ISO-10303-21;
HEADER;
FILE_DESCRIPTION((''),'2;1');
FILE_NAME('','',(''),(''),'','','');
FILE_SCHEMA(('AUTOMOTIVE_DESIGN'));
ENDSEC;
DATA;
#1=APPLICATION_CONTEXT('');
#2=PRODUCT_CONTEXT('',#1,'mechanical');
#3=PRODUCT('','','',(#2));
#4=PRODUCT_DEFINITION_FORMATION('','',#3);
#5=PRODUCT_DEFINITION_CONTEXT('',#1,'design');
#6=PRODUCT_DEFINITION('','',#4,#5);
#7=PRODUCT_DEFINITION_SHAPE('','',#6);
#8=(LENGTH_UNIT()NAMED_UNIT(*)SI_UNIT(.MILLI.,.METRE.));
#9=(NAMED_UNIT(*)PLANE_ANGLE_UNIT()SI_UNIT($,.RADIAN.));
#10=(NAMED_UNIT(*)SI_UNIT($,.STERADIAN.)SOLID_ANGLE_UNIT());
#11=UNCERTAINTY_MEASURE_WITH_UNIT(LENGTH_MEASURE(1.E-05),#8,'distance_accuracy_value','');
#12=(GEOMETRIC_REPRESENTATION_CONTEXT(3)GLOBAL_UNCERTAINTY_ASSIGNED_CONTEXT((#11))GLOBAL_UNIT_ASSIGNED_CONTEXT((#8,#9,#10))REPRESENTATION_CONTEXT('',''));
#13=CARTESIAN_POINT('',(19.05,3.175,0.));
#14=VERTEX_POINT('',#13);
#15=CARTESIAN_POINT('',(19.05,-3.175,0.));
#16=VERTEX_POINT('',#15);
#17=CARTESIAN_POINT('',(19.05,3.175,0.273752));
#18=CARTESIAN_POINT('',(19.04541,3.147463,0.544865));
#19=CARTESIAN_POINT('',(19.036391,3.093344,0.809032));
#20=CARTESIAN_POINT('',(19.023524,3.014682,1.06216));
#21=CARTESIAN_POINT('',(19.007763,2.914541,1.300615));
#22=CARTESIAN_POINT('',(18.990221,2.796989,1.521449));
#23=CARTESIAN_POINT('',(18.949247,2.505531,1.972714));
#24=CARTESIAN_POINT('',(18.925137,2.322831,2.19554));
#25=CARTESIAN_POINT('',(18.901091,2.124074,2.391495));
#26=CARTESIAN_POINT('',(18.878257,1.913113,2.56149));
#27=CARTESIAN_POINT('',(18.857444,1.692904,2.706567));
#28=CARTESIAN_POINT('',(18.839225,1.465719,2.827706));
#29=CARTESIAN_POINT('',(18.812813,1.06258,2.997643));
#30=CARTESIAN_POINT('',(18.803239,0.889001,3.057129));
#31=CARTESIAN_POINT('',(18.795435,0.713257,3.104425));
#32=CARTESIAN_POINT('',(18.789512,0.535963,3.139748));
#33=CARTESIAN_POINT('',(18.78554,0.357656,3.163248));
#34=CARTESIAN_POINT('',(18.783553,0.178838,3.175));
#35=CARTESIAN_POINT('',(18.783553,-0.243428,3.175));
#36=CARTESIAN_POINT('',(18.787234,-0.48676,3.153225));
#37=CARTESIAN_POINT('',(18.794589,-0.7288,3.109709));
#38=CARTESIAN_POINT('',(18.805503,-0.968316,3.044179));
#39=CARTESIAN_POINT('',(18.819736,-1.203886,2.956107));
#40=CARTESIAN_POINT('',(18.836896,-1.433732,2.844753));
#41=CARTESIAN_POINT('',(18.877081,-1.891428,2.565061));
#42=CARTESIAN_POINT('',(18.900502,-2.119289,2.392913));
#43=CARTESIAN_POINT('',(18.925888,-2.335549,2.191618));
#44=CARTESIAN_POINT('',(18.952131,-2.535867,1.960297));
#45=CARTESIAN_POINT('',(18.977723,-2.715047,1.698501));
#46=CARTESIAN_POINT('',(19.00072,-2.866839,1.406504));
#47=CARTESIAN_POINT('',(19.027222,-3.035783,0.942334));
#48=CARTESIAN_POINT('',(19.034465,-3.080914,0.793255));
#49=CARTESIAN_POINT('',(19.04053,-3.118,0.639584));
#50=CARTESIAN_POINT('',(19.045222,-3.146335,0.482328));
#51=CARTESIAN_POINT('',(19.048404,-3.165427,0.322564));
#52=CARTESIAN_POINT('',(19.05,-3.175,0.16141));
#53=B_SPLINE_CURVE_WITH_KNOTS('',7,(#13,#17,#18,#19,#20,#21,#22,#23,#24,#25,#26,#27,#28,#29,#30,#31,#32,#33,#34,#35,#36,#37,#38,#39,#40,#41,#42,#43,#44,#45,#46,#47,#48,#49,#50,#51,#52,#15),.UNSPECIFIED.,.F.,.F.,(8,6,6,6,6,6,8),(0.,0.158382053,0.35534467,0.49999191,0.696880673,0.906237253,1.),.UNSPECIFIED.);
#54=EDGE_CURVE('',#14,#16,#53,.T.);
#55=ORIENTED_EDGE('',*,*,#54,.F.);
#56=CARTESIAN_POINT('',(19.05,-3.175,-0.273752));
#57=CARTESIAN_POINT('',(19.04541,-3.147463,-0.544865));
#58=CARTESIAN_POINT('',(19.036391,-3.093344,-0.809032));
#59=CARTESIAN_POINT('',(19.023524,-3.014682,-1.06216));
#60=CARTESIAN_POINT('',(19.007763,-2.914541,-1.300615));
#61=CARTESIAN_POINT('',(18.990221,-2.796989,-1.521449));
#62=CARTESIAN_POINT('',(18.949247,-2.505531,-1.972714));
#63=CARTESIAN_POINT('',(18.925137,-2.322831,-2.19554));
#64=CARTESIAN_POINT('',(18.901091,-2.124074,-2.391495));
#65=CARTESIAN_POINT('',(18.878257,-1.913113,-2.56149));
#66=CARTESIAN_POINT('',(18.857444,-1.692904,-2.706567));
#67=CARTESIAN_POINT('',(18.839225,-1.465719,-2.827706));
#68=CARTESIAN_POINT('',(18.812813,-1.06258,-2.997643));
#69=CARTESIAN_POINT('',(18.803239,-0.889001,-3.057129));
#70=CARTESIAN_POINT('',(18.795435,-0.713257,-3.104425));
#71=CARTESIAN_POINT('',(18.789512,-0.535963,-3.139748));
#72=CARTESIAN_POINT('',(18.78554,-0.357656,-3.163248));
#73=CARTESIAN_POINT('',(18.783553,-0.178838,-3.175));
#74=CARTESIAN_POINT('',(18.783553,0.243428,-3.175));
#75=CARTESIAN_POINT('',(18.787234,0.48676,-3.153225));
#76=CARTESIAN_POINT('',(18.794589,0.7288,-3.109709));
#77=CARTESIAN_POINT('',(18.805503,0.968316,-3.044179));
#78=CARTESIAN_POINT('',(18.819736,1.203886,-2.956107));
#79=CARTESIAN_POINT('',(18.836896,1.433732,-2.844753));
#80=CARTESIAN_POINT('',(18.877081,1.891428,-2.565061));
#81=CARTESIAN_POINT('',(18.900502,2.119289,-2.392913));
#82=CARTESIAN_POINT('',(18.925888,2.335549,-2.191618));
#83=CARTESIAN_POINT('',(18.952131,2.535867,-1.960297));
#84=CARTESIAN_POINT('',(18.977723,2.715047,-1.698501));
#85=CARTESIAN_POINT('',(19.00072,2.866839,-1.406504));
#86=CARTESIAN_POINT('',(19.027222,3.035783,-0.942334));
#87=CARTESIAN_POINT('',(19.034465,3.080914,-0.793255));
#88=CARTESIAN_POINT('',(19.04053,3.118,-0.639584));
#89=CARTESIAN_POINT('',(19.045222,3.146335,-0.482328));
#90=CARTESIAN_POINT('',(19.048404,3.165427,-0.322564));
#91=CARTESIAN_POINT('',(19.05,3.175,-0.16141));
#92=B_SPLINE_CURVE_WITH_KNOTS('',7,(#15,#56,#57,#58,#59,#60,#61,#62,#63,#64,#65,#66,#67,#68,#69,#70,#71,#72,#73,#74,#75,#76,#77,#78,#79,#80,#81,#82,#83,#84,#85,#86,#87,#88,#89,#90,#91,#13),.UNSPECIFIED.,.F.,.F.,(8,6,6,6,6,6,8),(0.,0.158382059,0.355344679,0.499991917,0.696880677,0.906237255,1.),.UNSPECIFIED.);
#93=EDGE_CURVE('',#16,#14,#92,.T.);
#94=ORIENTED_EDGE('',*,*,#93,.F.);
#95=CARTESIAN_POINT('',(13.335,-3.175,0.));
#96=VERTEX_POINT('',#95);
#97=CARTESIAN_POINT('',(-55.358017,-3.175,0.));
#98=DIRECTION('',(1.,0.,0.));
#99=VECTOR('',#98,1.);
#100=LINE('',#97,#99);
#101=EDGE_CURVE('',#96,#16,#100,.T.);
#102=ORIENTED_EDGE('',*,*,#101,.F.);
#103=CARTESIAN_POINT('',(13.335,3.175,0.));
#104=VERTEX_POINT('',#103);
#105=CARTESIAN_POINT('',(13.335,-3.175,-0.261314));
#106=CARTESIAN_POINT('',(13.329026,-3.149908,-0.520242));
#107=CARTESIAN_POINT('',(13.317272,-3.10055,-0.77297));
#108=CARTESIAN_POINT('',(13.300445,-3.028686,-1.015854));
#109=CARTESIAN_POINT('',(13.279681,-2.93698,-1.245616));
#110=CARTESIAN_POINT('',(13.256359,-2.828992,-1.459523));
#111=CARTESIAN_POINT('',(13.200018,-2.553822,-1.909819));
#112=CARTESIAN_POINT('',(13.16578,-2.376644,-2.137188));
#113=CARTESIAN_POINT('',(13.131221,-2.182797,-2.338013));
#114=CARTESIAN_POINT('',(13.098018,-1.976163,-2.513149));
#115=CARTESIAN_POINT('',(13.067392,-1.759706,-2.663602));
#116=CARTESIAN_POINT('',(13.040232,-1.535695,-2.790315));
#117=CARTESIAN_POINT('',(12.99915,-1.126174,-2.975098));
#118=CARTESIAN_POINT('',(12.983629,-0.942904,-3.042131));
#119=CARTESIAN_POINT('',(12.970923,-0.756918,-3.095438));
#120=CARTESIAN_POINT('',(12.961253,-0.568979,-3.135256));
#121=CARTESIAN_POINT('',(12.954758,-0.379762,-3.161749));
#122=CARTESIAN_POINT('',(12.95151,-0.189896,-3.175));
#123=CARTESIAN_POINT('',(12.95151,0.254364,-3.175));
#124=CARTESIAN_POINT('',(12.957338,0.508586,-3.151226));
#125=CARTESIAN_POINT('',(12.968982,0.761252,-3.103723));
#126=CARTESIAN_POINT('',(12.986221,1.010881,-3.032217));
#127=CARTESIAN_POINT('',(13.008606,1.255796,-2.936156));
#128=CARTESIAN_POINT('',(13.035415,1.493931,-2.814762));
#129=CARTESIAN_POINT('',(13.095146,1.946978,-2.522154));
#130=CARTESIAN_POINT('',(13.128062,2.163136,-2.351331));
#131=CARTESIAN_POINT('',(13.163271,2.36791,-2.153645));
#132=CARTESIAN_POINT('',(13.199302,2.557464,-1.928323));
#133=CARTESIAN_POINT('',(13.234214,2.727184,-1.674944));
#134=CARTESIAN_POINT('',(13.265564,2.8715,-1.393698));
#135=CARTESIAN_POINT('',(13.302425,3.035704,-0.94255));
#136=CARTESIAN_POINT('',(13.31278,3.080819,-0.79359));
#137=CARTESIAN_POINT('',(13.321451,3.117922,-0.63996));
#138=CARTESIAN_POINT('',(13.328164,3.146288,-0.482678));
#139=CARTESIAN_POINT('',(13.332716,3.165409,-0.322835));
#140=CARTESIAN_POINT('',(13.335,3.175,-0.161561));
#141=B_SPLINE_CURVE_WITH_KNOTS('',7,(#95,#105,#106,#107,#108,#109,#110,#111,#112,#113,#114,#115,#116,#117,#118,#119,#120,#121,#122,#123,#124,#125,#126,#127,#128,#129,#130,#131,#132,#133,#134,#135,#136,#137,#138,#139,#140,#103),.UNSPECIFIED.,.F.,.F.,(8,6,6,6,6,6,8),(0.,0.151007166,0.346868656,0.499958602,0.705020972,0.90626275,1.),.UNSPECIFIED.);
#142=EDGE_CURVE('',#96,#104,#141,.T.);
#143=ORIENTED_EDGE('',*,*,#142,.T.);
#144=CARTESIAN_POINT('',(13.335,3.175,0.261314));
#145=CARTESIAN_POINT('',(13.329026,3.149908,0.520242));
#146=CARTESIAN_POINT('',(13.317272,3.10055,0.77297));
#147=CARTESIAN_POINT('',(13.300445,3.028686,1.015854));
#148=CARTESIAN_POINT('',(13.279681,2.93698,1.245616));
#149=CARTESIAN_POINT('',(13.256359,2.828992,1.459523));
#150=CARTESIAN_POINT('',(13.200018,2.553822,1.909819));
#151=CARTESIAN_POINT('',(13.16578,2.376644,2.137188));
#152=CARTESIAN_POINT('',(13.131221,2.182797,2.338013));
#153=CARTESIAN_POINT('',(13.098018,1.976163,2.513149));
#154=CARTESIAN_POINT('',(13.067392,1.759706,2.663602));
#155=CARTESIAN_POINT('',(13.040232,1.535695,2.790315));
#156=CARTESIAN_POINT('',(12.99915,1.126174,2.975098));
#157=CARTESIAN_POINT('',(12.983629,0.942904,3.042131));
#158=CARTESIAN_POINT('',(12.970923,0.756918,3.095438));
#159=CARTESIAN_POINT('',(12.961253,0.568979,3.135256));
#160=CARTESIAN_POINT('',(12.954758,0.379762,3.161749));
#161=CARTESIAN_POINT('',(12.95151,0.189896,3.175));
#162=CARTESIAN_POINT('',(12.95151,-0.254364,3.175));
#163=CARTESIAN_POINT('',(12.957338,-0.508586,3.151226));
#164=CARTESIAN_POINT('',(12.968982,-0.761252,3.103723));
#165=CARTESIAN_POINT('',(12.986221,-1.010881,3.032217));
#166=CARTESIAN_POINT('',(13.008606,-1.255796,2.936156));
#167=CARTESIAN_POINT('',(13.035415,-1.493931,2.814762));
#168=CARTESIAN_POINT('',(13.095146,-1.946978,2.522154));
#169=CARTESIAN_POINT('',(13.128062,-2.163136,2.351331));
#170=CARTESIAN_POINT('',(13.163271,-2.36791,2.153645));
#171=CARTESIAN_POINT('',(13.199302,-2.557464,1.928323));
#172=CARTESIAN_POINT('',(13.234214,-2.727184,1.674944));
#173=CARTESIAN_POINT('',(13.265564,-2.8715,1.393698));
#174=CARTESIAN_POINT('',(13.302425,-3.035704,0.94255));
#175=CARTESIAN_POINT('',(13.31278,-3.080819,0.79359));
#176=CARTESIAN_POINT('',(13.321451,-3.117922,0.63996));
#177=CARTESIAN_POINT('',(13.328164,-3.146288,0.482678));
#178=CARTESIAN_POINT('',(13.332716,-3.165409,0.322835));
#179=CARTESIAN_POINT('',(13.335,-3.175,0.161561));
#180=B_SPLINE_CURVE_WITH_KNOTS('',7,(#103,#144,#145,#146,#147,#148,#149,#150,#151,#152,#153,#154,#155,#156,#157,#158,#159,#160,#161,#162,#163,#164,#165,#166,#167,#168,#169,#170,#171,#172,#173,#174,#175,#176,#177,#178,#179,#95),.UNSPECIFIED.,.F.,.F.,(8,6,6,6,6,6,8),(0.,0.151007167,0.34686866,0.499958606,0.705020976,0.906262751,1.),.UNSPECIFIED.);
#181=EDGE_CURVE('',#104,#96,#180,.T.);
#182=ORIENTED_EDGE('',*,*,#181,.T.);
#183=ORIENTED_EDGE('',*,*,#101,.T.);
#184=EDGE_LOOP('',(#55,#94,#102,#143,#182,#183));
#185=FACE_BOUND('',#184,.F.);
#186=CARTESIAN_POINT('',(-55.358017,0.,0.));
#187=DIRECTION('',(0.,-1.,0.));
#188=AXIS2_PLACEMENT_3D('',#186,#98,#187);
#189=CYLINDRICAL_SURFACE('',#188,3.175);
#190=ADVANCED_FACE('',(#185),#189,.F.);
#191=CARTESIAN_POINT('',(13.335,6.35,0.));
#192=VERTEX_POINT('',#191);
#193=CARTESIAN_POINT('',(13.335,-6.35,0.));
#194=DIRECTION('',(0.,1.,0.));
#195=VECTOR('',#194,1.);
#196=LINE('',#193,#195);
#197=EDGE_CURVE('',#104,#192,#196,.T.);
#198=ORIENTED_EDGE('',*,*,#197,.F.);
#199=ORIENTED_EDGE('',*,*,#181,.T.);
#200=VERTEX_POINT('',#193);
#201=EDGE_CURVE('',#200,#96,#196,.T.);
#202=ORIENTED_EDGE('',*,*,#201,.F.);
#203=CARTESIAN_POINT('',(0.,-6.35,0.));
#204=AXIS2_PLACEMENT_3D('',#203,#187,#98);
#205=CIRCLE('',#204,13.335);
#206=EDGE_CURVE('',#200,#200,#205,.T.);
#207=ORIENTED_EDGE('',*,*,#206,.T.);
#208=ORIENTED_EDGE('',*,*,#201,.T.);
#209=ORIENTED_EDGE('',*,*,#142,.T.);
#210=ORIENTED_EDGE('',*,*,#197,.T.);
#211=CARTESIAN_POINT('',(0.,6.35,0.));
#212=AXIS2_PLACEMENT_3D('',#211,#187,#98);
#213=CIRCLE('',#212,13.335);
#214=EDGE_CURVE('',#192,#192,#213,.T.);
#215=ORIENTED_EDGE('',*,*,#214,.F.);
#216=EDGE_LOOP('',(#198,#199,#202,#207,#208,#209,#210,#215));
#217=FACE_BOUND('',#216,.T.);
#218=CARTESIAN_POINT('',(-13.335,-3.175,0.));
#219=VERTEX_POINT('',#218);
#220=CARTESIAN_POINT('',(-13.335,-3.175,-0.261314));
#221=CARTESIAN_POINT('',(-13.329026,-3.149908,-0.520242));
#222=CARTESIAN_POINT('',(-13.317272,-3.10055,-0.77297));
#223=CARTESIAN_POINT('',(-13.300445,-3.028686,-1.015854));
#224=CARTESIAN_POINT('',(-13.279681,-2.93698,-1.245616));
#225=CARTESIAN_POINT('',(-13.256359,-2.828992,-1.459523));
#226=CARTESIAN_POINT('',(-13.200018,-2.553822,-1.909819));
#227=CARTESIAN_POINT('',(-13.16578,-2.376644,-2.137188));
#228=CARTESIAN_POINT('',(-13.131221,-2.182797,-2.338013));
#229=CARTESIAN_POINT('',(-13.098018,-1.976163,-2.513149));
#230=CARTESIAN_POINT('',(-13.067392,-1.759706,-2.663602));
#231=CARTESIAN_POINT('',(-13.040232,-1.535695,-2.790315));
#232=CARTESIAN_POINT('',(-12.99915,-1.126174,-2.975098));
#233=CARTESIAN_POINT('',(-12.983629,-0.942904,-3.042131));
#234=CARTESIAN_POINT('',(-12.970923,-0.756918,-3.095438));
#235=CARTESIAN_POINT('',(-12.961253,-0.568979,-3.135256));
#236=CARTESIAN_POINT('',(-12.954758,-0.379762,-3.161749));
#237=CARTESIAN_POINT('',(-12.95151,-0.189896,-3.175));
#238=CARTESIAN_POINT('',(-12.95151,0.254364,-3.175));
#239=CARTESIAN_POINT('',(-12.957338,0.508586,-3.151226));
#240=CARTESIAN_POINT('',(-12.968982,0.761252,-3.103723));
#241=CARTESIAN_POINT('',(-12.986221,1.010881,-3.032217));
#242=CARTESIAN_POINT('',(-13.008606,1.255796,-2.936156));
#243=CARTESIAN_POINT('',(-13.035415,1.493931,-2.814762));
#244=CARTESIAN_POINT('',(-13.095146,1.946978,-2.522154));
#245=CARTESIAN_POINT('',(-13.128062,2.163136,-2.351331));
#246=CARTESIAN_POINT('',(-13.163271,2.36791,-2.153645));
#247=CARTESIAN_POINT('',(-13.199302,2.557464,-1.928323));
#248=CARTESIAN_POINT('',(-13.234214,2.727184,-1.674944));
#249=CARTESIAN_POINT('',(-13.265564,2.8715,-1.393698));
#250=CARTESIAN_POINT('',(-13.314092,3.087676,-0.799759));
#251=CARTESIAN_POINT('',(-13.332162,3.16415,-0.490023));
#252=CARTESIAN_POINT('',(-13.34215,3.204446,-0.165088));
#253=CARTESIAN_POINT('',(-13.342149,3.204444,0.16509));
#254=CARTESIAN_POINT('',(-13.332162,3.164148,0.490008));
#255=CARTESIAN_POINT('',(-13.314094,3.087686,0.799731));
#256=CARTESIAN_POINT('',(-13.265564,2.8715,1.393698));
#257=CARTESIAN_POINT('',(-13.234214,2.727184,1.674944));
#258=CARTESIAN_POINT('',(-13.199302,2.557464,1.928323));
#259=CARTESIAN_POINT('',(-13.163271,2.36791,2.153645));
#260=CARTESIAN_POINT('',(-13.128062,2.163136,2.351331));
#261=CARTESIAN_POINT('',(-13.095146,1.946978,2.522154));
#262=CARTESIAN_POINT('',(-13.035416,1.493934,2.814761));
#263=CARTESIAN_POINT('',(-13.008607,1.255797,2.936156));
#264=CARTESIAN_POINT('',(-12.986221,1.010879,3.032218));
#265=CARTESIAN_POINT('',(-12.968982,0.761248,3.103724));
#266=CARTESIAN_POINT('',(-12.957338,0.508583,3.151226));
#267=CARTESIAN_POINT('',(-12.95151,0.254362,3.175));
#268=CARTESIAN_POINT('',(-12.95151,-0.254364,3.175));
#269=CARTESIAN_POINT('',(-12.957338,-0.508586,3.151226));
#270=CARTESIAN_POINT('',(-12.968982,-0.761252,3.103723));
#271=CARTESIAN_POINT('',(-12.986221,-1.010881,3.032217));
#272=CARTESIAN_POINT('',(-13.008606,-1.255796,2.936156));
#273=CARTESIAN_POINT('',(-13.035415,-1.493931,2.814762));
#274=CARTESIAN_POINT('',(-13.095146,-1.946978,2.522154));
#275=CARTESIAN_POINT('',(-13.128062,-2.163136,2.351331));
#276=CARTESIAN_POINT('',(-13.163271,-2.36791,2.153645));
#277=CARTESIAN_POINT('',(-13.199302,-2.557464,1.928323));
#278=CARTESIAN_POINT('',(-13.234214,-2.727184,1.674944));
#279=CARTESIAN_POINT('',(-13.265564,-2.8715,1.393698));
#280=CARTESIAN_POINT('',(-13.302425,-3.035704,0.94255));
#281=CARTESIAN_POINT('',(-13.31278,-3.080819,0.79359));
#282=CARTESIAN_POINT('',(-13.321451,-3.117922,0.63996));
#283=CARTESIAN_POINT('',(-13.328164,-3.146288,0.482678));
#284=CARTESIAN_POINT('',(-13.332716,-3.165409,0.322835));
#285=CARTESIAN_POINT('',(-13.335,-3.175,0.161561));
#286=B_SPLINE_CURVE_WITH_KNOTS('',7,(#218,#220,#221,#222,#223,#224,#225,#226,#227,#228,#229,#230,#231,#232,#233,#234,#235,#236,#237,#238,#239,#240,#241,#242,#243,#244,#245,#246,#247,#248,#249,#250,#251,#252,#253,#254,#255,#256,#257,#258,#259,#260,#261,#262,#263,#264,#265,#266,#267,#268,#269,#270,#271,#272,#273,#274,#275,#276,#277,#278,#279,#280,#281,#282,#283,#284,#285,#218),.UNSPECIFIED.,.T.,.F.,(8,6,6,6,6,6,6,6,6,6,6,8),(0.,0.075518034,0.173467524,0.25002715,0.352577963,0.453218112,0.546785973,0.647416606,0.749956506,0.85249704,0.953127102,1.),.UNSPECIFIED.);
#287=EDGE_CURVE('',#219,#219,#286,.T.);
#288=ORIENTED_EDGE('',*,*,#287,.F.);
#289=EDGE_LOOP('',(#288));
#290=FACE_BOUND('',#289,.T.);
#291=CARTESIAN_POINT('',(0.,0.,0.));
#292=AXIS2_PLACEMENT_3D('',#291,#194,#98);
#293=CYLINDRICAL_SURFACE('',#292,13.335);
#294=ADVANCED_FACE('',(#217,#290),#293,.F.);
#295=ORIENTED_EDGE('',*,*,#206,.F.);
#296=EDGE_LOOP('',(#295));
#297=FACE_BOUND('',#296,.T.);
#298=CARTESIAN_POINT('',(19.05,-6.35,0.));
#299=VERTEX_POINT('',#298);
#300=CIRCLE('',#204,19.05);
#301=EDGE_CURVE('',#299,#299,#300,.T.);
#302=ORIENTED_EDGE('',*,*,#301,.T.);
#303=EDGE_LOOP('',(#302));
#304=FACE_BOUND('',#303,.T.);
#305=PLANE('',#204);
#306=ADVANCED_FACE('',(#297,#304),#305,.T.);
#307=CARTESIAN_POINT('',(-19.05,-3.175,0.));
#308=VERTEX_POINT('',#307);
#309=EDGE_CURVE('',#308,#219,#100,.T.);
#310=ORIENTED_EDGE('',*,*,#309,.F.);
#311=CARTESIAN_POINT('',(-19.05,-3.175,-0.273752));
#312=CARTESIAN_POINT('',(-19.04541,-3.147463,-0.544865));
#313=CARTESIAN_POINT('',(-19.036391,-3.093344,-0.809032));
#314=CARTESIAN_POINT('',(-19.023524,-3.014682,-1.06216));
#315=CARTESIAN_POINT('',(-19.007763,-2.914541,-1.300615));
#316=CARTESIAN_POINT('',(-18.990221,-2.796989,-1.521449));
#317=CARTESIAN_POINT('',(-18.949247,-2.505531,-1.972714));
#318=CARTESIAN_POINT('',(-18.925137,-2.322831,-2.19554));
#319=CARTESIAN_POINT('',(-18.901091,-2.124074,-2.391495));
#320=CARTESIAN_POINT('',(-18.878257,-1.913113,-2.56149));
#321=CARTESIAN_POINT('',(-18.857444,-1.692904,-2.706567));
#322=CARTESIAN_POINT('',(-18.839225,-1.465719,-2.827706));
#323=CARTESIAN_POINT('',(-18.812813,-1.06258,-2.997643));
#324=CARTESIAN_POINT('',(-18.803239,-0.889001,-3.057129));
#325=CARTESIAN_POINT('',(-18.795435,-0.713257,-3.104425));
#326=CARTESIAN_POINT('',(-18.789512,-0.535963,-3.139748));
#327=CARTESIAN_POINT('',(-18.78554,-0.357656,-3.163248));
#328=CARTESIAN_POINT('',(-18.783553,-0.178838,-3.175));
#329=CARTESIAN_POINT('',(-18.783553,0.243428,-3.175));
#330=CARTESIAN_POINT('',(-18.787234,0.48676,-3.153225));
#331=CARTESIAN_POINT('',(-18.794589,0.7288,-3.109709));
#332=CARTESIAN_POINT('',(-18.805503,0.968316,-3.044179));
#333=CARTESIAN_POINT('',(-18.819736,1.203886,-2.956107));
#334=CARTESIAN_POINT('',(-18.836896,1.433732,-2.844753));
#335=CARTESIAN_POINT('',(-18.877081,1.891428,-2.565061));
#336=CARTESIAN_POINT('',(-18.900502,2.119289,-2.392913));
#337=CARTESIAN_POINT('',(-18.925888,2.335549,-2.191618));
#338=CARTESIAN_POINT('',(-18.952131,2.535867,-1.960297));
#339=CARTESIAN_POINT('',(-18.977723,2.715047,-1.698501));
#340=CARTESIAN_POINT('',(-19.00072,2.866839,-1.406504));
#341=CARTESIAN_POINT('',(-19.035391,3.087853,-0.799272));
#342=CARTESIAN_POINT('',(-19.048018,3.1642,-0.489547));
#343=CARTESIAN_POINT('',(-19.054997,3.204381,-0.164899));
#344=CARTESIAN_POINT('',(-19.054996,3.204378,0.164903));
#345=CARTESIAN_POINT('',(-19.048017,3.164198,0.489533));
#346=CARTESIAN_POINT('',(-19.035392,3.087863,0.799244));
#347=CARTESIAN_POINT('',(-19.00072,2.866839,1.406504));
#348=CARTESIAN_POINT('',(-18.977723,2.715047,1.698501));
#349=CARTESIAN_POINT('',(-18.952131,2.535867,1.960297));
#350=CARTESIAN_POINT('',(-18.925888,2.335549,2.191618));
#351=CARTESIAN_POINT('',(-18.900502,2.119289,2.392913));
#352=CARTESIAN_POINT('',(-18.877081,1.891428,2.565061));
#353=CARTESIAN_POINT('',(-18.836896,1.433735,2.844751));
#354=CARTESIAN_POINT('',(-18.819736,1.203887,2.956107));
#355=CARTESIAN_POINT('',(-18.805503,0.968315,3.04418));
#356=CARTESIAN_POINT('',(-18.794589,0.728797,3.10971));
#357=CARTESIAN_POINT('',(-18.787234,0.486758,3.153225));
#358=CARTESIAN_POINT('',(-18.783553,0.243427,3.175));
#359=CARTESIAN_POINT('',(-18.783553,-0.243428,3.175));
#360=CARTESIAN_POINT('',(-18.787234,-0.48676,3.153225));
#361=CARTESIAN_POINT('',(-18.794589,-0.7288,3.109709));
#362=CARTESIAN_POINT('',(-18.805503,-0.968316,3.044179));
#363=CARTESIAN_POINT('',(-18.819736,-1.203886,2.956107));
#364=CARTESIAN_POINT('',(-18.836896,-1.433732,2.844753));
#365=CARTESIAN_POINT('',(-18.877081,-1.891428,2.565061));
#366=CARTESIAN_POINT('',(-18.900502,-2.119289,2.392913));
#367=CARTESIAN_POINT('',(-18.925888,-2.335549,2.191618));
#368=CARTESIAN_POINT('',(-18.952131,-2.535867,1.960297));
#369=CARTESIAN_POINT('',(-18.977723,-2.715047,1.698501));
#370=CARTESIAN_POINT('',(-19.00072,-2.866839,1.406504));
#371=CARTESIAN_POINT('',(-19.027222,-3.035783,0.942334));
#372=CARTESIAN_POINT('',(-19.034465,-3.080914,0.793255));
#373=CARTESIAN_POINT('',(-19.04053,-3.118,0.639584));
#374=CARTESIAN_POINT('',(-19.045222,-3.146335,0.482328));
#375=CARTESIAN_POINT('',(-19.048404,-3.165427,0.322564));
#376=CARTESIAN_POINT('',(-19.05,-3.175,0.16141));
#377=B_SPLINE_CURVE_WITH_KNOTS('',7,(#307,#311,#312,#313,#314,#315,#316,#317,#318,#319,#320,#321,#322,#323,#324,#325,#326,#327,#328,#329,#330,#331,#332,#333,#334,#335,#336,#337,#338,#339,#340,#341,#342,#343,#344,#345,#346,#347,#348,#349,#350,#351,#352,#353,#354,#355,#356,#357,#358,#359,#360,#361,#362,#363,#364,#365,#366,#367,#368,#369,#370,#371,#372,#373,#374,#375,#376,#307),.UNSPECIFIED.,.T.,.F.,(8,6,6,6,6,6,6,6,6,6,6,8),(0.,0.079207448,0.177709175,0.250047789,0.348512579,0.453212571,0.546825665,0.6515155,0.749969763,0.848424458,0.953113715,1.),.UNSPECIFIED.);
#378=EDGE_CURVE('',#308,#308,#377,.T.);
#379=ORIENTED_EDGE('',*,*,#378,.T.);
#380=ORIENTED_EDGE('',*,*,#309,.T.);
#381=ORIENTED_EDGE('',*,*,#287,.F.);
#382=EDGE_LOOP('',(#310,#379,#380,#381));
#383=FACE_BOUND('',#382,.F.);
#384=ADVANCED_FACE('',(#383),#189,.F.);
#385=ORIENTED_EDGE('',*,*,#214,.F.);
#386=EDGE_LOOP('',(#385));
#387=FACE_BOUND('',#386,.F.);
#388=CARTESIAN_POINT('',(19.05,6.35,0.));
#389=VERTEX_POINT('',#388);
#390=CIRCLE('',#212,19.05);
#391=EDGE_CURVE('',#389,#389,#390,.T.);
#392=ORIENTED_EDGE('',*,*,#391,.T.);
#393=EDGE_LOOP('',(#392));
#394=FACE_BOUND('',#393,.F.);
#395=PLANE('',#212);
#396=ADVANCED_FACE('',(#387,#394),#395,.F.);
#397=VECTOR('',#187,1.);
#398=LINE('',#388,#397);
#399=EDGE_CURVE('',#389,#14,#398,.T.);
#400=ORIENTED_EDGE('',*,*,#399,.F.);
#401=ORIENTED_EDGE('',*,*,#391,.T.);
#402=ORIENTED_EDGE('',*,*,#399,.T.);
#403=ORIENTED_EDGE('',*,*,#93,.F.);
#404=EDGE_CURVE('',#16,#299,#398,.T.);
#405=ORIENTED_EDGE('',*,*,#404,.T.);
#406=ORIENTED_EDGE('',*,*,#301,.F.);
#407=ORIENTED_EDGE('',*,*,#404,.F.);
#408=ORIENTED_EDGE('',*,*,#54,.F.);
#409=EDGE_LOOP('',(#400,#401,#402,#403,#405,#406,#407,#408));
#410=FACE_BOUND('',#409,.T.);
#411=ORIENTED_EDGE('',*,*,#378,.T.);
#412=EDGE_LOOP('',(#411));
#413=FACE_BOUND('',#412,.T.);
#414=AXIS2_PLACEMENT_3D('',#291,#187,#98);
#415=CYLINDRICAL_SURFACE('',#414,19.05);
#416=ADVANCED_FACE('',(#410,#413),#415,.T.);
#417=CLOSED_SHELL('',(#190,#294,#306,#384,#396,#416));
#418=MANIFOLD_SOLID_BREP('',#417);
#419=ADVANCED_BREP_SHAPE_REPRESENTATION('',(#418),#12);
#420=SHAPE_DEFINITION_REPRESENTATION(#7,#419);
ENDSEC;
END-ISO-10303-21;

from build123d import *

# Parameters (mm, degrees)
F0_R     = 19.05
F0_R_2   = 13.335
F1_DEPTH = 6.35
F3_D     = 6.35
F4_D     = 6.35


with BuildPart() as f1:
    # F0 (on Front) → F1 (new body, symmetric)
    with BuildSketch(Plane.XZ):
        Circle(F0_R)
        Circle(F0_R_2, mode=Mode.SUBTRACT)
    extrude(amount=F1_DEPTH, both=True)

    # F3 (through all)
    with Locations(Plane(origin=(0, 0, 0), x_dir=(0, 1, 0), z_dir=(-1, 0, 0))):
        with Locations((0, 0)):
            Hole(F3_D / 2)

    # F4 (through all)
    with Locations(Plane.YZ):
        with Locations((0, 0)):
            Hole(F4_D / 2)


solid = f1.part
